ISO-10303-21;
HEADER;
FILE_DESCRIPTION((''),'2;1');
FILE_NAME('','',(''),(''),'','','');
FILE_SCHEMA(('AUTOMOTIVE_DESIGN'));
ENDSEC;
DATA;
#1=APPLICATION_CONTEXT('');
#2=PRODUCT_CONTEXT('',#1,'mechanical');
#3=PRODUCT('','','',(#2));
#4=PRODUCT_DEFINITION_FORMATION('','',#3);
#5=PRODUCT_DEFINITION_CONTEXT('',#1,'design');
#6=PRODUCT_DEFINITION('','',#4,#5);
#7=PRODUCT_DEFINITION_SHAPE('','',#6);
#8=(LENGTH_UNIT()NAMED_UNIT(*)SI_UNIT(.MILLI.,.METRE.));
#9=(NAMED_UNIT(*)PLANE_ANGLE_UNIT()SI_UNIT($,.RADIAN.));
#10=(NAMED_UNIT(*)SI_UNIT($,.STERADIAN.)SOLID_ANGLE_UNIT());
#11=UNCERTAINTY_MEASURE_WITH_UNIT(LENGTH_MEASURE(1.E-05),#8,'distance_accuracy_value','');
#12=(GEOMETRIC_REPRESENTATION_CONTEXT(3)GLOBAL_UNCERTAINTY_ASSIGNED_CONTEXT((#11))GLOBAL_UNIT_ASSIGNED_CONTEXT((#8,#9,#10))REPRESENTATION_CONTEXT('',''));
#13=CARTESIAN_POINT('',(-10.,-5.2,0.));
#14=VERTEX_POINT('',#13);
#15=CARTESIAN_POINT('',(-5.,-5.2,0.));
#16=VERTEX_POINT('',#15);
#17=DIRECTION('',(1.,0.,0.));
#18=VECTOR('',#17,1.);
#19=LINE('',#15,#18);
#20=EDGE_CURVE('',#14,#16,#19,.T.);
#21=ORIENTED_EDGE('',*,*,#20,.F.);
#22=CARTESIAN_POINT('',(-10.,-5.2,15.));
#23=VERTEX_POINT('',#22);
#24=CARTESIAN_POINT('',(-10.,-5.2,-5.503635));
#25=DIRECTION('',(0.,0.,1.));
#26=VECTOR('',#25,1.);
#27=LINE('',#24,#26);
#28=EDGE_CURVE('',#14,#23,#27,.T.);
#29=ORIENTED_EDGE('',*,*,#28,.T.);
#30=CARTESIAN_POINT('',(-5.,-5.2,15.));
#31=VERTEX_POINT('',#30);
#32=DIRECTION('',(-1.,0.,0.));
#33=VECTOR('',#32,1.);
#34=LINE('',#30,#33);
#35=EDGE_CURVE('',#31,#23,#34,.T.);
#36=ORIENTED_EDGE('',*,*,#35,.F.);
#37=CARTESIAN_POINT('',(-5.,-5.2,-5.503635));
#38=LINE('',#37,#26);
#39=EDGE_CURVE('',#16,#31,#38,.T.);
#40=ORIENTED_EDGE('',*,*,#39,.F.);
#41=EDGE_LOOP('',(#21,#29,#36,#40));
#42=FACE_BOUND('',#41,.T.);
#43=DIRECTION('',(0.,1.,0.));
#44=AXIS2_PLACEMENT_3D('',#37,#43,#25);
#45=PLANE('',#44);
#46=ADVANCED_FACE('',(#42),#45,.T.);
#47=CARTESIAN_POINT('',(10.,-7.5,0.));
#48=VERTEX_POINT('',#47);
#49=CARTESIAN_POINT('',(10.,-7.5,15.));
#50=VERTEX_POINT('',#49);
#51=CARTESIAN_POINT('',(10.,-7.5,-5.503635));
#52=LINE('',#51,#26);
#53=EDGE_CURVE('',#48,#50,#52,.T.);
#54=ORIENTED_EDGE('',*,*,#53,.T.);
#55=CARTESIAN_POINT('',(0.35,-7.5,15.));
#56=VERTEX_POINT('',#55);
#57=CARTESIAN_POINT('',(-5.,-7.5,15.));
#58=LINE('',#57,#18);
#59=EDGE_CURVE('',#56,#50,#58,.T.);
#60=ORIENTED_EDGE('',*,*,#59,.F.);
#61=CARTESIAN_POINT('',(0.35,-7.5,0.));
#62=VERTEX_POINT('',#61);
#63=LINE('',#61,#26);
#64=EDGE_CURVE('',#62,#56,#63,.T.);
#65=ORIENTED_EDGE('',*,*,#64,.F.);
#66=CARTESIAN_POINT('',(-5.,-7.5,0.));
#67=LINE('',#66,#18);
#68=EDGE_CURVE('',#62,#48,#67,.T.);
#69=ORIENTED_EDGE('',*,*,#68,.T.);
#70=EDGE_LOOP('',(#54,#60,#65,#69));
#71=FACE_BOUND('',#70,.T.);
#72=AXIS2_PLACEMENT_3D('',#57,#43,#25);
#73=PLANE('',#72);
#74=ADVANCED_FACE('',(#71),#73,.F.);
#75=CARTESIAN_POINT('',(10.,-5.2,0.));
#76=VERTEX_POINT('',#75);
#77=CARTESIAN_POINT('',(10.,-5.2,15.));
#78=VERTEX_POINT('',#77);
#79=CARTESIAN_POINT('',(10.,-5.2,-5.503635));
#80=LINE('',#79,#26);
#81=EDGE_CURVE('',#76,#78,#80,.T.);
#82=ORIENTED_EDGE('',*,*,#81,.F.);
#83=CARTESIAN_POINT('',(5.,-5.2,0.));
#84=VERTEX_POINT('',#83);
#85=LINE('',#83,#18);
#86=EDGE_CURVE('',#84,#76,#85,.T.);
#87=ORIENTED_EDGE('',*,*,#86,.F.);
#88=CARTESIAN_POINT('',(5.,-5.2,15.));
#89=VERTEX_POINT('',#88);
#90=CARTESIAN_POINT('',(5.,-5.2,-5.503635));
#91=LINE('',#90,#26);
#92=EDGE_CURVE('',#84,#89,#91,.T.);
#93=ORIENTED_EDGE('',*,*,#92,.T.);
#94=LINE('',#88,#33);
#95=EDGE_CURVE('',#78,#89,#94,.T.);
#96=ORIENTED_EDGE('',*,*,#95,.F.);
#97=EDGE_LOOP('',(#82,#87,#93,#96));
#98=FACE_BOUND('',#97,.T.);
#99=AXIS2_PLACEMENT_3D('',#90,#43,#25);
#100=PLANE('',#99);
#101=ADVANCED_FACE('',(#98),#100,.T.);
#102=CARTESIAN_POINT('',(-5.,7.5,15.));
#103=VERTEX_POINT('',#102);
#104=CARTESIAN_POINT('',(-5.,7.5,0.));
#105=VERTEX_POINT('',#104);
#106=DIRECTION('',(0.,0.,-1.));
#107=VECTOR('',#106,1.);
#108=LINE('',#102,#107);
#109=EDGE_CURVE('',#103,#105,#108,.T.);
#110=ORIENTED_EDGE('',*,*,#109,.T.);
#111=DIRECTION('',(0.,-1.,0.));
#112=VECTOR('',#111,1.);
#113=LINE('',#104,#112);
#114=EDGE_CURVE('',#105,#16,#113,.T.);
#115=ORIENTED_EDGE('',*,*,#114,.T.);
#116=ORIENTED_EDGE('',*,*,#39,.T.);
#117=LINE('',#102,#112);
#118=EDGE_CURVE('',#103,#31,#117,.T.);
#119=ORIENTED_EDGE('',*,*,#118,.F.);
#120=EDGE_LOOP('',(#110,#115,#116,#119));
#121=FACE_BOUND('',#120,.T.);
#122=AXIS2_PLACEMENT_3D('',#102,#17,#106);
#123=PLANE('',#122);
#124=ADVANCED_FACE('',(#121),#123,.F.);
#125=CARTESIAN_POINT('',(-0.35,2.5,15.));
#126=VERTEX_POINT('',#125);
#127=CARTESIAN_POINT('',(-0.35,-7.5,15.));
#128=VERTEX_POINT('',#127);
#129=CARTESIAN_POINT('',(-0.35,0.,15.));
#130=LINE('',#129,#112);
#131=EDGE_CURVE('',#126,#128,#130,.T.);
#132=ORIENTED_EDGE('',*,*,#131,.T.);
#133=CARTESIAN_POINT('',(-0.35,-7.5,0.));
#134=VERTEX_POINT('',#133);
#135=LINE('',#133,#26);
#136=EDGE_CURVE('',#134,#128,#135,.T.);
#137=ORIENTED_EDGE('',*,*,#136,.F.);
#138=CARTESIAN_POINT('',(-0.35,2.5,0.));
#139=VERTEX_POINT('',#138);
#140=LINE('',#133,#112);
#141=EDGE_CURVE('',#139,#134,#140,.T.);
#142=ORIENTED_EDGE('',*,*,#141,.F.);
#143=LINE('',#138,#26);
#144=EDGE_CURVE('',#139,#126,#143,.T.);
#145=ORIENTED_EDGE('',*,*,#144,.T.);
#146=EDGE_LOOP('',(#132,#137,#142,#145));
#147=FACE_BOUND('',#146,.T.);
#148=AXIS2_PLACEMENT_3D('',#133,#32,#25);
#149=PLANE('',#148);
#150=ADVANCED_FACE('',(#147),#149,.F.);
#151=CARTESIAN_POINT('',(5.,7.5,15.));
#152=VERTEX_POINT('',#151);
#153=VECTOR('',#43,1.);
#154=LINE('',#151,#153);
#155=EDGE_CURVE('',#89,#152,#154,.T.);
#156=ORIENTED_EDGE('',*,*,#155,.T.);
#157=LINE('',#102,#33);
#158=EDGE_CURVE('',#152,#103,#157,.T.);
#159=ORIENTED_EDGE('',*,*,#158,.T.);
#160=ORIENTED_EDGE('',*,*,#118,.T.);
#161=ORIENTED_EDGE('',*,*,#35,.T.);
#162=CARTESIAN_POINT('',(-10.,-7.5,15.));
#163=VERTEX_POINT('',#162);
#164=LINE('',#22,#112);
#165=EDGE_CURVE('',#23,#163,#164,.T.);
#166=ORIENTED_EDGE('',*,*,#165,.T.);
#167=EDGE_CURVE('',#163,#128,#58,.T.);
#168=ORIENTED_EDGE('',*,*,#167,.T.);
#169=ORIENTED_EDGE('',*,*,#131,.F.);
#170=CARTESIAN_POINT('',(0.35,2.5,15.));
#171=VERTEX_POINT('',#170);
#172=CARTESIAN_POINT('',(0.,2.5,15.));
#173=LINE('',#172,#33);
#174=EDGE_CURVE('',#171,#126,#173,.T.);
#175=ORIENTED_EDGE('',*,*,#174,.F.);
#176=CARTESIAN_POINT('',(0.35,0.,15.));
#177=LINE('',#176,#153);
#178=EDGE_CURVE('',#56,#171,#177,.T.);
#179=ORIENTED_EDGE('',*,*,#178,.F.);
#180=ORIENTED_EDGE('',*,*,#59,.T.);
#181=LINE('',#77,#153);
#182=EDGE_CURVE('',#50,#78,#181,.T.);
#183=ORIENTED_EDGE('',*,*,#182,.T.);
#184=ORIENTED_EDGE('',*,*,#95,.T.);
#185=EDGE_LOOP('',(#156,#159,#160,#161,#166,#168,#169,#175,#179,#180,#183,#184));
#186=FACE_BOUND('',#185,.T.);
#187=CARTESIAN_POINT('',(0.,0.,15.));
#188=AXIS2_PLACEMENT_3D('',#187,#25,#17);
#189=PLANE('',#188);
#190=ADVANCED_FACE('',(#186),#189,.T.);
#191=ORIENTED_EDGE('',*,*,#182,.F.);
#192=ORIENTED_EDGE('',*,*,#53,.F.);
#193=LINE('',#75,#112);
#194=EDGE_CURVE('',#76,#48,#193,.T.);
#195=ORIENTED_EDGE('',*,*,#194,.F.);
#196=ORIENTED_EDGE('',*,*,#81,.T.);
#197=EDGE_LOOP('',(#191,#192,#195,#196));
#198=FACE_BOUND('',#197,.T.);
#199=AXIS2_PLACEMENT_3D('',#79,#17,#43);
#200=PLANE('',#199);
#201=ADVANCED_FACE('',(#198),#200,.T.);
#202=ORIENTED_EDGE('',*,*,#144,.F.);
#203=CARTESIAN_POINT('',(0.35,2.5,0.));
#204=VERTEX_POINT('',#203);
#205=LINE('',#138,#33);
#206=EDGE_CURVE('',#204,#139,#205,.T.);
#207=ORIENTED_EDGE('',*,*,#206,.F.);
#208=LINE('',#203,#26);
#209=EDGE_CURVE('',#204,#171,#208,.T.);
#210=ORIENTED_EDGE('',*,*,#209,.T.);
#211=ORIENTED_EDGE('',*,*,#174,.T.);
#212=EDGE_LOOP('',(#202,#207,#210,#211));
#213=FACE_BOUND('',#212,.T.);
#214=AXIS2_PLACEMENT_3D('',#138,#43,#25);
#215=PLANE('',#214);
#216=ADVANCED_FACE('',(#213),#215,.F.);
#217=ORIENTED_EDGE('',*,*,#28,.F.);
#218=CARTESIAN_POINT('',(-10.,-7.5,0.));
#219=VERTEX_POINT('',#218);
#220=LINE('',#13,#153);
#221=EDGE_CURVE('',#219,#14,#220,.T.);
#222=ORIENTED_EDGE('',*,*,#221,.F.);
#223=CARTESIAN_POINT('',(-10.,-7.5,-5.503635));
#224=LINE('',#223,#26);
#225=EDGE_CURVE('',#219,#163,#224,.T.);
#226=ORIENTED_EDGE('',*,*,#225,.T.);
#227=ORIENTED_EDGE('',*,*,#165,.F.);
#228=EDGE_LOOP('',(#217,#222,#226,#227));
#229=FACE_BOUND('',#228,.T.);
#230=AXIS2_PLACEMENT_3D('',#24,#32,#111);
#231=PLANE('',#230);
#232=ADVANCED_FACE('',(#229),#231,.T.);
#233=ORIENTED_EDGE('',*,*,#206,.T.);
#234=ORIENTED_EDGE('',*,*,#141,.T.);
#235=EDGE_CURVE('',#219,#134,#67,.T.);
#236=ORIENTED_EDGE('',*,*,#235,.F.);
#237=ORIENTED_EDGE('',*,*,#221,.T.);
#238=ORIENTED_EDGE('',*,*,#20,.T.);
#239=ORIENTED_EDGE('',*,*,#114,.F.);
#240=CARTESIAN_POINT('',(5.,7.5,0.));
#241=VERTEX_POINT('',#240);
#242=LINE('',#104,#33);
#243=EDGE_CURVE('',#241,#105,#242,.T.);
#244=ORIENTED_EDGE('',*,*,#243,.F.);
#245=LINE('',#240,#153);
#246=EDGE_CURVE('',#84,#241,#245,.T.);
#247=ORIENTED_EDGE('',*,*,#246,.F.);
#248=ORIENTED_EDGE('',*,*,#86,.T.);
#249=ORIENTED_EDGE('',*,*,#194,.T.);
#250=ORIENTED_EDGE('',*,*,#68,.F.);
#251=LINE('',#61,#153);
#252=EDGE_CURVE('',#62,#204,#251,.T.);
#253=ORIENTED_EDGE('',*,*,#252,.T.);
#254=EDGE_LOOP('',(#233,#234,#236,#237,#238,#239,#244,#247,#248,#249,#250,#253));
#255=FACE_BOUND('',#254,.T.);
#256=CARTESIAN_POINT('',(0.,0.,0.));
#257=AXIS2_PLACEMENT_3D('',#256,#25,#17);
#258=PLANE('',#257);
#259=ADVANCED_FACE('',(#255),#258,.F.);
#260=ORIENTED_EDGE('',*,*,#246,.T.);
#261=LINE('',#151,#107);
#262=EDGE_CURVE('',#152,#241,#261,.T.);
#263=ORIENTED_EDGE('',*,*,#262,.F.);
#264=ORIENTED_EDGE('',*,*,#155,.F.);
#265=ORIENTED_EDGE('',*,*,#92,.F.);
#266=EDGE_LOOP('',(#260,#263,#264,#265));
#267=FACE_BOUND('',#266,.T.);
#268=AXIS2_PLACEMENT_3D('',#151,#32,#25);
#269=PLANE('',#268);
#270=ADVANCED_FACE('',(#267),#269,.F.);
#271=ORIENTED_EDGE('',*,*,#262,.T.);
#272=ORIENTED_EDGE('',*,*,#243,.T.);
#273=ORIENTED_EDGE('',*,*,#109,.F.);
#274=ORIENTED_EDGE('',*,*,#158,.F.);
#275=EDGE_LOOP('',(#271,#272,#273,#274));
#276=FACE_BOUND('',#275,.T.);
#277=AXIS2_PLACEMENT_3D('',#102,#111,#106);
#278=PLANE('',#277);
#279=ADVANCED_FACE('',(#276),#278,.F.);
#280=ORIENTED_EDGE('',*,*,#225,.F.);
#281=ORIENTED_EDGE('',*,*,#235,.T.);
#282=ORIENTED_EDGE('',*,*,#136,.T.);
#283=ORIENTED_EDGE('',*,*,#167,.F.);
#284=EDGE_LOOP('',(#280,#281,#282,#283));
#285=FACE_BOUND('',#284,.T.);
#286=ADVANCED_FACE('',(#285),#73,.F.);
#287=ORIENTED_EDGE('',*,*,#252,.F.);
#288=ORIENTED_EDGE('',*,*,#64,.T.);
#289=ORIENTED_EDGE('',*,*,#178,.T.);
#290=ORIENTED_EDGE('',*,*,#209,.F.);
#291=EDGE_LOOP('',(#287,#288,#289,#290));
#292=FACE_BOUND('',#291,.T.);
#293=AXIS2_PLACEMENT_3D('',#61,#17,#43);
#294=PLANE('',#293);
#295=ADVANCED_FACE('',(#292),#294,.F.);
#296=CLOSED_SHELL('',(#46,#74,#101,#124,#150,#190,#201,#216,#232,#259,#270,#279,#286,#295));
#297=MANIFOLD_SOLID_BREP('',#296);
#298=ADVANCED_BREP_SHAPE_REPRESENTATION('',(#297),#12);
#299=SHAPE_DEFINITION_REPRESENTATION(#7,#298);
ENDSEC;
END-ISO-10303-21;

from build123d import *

# Parameters (mm, degrees)
SKETCH1_W               = 10
SKETCH1_H               = 15
BOSS_EXTRUDE1_DEPTH     = 15
CUT_EXTRUDE1_DEPTH      = 18.5
CUT_EXTRUDE1_DEPTH_BACK = 18.5
SKETCH2_W               = 0.7
SKETCH2_H               = 10
SKETCH3_W               = 5
SKETCH3_H               = 2.3
BOSS_EXTRUDE2_DEPTH     = 15


with BuildPart() as part:
    # Sketch1 → Boss-Extrude1 (new body)
    with BuildSketch(Plane.XY):
        Rectangle(SKETCH1_W, SKETCH1_H)
    extrude(amount=BOSS_EXTRUDE1_DEPTH)

    # Sketch2 → Cut-Extrude1 (cut, two sides: drawn at the far end of the back side and taken through both)
    with BuildSketch(Plane.XY.offset(15).offset(-CUT_EXTRUDE1_DEPTH_BACK)):
        with Locations((0, -2.5)):
            Rectangle(SKETCH2_W, SKETCH2_H)
    extrude(amount=CUT_EXTRUDE1_DEPTH + CUT_EXTRUDE1_DEPTH_BACK, mode=Mode.SUBTRACT)

    # Sketch3 → Boss-Extrude2 (add)
    with BuildSketch(Plane.XY.offset(15)):
        with Locations((-7.5, -6.35)):
            Rectangle(SKETCH3_W, SKETCH3_H)
        with Locations((7.5, -6.35)):
            Rectangle(SKETCH3_W, SKETCH3_H)
    extrude(amount=-BOSS_EXTRUDE2_DEPTH)


solid = part.part
